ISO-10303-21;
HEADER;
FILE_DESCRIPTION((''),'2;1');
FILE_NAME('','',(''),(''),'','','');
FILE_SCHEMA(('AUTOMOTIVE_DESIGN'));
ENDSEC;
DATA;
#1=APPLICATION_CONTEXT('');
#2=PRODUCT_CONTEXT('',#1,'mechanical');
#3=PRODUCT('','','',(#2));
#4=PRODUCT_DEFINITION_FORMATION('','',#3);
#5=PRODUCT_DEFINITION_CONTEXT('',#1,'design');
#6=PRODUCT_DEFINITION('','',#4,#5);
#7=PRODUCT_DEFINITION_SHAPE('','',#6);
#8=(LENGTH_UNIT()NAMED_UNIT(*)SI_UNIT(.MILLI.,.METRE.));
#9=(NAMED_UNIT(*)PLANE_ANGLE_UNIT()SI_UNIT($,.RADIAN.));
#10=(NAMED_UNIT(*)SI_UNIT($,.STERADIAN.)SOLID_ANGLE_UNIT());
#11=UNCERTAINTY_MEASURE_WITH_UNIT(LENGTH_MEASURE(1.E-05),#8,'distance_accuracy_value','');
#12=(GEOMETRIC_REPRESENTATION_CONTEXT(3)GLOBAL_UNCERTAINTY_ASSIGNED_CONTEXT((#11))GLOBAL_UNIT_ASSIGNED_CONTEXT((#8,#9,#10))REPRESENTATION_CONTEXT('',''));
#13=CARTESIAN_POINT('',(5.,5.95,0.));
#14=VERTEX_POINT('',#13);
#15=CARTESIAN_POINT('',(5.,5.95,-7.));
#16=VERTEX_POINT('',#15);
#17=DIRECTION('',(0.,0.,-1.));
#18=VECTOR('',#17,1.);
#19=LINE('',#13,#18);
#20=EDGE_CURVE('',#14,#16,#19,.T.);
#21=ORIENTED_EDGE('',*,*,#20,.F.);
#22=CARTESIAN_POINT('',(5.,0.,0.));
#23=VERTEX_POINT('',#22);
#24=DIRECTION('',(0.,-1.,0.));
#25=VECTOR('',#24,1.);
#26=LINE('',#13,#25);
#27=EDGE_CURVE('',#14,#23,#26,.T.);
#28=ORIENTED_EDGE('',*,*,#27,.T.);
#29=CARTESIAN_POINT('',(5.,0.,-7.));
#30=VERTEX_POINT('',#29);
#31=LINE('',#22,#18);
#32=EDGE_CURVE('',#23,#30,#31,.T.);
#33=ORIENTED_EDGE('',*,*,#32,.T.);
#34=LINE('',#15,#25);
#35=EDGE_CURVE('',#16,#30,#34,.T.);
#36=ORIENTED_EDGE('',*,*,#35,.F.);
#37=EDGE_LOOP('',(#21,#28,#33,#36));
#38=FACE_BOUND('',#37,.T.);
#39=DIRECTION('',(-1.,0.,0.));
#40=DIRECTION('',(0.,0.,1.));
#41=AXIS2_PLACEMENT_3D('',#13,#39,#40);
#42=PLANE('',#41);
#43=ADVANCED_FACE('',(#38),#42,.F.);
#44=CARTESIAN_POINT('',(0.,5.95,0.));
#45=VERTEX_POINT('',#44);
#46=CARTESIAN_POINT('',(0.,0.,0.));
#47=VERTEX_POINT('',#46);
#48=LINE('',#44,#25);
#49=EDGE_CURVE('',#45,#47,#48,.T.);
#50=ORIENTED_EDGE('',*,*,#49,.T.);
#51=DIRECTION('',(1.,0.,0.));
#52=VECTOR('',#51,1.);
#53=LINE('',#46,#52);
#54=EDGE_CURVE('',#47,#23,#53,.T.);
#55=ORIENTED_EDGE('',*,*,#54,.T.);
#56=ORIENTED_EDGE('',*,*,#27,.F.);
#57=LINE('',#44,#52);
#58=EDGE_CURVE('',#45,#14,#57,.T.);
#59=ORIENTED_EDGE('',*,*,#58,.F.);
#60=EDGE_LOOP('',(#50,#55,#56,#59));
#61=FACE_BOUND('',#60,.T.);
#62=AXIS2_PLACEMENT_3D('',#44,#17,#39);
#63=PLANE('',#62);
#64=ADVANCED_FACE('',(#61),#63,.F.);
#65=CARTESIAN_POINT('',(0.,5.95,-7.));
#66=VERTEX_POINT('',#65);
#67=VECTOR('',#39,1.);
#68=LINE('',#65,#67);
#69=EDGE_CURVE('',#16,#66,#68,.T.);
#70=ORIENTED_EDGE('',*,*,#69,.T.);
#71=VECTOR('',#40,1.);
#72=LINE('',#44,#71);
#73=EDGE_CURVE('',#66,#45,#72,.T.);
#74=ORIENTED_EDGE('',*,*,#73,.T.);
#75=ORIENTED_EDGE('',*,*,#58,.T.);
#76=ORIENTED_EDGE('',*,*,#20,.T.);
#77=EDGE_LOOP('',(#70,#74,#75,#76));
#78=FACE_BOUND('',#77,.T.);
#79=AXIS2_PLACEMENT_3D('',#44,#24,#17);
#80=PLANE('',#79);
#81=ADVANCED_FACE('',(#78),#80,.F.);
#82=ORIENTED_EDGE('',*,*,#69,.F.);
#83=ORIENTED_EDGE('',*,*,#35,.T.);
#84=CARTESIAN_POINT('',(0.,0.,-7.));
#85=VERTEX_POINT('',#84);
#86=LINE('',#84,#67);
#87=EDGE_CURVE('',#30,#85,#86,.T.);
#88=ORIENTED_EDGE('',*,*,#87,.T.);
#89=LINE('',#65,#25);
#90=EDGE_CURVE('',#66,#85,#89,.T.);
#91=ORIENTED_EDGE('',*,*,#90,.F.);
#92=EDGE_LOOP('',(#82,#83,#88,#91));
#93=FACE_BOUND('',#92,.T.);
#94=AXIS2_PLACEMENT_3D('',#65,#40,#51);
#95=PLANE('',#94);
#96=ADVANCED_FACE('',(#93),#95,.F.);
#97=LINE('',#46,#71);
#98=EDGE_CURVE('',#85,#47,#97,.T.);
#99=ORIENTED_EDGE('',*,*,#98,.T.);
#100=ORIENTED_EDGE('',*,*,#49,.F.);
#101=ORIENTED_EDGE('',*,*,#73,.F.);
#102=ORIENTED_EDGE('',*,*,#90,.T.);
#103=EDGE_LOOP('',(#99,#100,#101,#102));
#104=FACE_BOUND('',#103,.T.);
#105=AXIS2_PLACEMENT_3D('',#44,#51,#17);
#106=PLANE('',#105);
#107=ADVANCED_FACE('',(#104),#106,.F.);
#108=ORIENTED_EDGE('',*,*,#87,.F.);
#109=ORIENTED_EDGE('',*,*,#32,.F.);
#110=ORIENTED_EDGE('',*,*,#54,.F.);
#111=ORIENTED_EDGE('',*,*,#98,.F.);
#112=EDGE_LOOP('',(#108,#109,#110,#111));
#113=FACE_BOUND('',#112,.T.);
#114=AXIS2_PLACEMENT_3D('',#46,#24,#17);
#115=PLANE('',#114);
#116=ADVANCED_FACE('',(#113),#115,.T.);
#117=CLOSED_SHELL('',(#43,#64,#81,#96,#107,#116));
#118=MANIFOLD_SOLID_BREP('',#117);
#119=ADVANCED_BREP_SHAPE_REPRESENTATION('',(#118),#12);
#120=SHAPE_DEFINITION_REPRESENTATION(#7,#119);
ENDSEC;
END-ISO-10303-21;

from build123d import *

# Parameters (mm, degrees)
SKETCH1_W           = 5
SKETCH1_H           = 7
BOSS_EXTRUDE1_DEPTH = 5.95


with BuildPart() as part:
    # Sketch1 → Boss-Extrude1 (new body)
    with BuildSketch(Plane(origin=(0, 0, 0), x_dir=(1, 0, 0), z_dir=(0, 1, 0))):
        with Locations((2.5, 3.5)):
            Rectangle(SKETCH1_W, SKETCH1_H)
    extrude(amount=BOSS_EXTRUDE1_DEPTH)


solid = part.part
